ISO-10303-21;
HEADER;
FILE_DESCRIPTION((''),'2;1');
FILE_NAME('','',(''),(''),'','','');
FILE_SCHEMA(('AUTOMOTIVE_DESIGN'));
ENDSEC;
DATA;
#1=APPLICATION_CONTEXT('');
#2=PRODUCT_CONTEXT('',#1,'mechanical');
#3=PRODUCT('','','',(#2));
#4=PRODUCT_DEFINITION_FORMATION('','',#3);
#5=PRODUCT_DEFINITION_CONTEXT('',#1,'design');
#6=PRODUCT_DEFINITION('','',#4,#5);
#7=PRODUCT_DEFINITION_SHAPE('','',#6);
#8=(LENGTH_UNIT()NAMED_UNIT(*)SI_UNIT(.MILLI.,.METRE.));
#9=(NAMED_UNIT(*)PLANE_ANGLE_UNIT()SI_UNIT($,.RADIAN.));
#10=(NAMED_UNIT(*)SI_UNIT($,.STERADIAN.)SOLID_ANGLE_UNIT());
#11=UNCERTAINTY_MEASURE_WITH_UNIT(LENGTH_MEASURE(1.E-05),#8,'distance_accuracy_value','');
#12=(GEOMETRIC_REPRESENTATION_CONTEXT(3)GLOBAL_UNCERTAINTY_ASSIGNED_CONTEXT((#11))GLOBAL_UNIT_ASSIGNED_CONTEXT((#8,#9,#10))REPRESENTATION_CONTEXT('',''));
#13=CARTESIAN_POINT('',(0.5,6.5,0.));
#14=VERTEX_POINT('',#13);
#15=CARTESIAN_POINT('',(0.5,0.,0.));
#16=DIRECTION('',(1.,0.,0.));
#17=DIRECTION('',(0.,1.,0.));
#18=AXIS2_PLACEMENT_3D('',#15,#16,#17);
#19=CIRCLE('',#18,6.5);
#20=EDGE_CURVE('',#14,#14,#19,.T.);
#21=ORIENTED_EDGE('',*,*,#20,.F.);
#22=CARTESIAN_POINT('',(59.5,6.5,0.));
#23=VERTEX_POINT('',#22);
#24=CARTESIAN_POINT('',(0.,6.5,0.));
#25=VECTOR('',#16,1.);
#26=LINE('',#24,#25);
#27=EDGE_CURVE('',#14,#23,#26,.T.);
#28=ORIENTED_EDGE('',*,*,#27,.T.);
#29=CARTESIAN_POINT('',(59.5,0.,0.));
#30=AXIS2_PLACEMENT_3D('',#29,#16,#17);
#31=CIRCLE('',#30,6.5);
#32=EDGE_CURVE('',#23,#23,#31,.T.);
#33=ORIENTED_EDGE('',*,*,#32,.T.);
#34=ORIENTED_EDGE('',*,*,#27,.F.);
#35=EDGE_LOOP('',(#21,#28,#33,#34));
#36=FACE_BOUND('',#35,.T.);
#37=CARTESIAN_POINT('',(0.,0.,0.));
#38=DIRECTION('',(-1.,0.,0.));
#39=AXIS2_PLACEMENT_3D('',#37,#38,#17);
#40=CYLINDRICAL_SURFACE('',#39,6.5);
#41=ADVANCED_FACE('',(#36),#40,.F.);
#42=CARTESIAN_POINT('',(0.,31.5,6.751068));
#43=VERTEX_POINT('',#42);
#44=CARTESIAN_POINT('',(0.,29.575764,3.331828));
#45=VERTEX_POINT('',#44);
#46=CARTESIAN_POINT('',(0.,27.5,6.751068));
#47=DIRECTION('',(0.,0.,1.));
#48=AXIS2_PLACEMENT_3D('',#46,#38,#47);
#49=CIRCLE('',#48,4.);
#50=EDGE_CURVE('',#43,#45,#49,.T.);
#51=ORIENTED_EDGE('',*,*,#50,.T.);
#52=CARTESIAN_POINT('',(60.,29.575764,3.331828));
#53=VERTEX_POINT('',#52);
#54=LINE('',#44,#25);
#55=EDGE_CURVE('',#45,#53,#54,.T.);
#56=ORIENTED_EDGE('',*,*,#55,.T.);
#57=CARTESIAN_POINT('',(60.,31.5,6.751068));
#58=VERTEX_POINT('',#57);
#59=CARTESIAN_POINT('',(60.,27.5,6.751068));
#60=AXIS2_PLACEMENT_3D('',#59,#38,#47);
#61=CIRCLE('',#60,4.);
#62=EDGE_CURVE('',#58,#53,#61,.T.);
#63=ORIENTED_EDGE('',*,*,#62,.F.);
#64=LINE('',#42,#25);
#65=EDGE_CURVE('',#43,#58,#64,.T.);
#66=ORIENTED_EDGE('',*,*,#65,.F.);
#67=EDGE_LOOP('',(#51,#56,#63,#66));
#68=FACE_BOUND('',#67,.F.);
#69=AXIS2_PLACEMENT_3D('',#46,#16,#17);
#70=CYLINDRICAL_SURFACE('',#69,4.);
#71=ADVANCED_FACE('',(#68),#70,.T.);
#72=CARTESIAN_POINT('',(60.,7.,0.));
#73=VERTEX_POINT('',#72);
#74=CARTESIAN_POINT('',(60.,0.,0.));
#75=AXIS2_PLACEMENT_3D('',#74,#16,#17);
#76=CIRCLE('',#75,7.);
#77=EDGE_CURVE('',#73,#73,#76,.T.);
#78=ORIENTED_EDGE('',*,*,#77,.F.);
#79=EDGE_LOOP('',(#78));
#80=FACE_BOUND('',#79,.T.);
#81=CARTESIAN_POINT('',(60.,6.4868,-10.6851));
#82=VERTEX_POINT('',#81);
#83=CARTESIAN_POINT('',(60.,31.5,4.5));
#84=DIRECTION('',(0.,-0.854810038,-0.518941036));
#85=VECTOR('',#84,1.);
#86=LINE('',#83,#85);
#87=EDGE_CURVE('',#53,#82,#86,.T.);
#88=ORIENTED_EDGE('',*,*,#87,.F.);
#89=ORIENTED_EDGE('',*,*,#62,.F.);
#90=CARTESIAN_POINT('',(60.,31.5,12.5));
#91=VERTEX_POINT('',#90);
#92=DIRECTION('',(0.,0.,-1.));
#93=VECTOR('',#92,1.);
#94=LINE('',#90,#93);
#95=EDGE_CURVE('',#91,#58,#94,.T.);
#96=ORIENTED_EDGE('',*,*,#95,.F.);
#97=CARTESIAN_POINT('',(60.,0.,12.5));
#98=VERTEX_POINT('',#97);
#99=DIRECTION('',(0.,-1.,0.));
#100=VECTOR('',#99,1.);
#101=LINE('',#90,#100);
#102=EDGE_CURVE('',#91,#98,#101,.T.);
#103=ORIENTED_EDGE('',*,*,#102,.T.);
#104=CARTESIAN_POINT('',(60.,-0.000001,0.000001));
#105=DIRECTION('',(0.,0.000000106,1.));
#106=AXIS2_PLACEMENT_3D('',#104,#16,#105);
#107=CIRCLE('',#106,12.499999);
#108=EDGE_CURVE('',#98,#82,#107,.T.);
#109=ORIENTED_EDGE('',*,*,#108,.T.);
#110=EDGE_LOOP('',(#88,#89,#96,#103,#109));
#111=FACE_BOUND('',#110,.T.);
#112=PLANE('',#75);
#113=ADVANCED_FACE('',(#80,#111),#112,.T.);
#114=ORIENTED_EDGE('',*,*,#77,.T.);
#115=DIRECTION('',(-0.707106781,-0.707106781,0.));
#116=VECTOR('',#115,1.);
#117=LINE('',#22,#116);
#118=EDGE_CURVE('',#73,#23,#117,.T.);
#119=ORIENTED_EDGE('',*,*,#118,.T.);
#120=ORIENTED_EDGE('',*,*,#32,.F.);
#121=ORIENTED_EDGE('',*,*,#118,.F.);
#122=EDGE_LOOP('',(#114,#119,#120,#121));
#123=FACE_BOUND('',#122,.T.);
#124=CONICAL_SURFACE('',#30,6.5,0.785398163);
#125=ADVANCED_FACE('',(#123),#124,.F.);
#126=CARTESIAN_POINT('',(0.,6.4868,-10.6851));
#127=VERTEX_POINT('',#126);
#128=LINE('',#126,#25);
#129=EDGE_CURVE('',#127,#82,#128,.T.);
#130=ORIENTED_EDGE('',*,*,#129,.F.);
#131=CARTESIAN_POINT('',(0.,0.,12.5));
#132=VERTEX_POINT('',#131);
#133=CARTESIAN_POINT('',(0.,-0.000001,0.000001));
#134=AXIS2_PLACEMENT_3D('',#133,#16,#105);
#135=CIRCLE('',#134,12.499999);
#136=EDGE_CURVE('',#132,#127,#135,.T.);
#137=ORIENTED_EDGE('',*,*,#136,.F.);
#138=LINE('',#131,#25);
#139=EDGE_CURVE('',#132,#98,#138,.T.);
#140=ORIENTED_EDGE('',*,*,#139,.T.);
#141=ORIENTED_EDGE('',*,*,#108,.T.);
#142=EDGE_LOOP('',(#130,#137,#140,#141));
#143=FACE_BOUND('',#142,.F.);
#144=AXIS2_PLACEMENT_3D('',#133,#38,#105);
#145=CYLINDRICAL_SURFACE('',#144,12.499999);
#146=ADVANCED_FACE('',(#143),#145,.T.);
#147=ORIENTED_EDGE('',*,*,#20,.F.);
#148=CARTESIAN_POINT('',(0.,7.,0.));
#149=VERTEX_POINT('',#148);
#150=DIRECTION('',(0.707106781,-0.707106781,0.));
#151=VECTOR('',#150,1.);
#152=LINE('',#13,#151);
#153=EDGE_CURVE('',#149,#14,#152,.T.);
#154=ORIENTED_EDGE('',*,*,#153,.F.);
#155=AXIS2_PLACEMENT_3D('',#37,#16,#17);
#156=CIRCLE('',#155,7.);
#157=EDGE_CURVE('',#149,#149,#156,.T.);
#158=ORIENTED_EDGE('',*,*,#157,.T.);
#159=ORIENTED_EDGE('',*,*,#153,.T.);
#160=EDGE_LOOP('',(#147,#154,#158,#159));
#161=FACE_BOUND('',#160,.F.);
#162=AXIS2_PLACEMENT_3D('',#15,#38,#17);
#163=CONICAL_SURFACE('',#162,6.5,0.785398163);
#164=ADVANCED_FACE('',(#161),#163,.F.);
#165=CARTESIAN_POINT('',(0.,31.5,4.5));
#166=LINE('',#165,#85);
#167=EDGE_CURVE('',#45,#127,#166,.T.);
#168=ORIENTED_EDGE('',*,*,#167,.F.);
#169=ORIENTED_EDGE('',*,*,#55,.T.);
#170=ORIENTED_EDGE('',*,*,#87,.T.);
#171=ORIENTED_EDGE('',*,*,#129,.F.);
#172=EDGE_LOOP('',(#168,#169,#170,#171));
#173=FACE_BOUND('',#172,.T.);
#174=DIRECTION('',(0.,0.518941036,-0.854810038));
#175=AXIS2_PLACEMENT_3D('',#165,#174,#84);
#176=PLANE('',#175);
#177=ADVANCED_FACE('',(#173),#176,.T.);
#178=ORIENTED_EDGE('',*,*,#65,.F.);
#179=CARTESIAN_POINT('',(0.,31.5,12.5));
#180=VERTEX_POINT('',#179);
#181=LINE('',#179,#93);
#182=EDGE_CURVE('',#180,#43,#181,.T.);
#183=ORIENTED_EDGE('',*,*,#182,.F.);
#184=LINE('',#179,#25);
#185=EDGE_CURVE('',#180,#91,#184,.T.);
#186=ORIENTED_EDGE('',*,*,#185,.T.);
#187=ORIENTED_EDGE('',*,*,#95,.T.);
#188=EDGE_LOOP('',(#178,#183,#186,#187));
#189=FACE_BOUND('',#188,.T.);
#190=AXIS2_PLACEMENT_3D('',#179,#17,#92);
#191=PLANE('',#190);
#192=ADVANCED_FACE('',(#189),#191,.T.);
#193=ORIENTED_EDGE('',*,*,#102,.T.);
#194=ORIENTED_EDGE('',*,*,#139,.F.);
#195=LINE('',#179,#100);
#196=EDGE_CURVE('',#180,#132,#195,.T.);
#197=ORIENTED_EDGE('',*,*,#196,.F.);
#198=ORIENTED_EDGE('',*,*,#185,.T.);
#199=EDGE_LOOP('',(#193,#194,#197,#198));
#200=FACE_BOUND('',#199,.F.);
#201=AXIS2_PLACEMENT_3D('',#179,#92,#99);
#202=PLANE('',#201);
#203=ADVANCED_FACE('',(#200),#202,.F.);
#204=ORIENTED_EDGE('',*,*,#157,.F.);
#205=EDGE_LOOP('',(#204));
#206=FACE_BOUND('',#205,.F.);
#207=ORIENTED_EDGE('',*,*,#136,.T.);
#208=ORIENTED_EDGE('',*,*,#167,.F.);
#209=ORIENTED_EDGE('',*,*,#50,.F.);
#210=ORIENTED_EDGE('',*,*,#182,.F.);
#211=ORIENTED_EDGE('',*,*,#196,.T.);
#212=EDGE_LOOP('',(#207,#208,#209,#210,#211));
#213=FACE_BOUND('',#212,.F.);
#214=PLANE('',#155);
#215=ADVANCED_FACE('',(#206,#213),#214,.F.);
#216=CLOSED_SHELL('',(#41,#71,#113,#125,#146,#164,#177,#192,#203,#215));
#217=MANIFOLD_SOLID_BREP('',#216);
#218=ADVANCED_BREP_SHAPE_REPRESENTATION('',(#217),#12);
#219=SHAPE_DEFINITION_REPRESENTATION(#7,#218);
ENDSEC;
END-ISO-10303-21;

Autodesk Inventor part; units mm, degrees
ref_plane "YZ Plane" through (0, 0, 0) normal (1, 0, 0) x (0, 1, 0)
ref_plane "XZ Plane" through (0, 0, 0) normal (0, 1, 0) x (-1, 0, 0)
ref_plane "XY Plane" through (0, 0, 0) normal (0, 0, 1) x (1, 0, 0)
sketch "Náčrt2" plane through (0, 0, 0) normal (1, 0, 0) x (0, 1, 0)
  circle A0 centre (0, 0) radius 6.5
  line L0 (31.5, 12.5) -> (0, 12.5)
  line L1 (31.5, 12.5) -> (31.5, 4.5)
  line L2 (31.5, 4.5) -> (6.4868, -10.6851)
  arc A1 (0, 12.5) -> (6.4868, -10.6851) centre (0, 0) ccw
  dimension "d0" = 13
  dimension "d1" = 6
  dimension "d2" = 31.5
  dimension "d3" = 8
extrude "Vysunutí1" add sketch "Náčrt2" along normal blind 60
fillet "Zaoblení1" radius 4 1 edges at (30, 31.5, 4.5)
chamfer "Zkosení1" distance 0.5 angle 45 2 edges at (0, -6.5, 0) (60, -6.5, 0)
properties part number "DD_KVD_003_10_E" material "Nerezová ocel"
